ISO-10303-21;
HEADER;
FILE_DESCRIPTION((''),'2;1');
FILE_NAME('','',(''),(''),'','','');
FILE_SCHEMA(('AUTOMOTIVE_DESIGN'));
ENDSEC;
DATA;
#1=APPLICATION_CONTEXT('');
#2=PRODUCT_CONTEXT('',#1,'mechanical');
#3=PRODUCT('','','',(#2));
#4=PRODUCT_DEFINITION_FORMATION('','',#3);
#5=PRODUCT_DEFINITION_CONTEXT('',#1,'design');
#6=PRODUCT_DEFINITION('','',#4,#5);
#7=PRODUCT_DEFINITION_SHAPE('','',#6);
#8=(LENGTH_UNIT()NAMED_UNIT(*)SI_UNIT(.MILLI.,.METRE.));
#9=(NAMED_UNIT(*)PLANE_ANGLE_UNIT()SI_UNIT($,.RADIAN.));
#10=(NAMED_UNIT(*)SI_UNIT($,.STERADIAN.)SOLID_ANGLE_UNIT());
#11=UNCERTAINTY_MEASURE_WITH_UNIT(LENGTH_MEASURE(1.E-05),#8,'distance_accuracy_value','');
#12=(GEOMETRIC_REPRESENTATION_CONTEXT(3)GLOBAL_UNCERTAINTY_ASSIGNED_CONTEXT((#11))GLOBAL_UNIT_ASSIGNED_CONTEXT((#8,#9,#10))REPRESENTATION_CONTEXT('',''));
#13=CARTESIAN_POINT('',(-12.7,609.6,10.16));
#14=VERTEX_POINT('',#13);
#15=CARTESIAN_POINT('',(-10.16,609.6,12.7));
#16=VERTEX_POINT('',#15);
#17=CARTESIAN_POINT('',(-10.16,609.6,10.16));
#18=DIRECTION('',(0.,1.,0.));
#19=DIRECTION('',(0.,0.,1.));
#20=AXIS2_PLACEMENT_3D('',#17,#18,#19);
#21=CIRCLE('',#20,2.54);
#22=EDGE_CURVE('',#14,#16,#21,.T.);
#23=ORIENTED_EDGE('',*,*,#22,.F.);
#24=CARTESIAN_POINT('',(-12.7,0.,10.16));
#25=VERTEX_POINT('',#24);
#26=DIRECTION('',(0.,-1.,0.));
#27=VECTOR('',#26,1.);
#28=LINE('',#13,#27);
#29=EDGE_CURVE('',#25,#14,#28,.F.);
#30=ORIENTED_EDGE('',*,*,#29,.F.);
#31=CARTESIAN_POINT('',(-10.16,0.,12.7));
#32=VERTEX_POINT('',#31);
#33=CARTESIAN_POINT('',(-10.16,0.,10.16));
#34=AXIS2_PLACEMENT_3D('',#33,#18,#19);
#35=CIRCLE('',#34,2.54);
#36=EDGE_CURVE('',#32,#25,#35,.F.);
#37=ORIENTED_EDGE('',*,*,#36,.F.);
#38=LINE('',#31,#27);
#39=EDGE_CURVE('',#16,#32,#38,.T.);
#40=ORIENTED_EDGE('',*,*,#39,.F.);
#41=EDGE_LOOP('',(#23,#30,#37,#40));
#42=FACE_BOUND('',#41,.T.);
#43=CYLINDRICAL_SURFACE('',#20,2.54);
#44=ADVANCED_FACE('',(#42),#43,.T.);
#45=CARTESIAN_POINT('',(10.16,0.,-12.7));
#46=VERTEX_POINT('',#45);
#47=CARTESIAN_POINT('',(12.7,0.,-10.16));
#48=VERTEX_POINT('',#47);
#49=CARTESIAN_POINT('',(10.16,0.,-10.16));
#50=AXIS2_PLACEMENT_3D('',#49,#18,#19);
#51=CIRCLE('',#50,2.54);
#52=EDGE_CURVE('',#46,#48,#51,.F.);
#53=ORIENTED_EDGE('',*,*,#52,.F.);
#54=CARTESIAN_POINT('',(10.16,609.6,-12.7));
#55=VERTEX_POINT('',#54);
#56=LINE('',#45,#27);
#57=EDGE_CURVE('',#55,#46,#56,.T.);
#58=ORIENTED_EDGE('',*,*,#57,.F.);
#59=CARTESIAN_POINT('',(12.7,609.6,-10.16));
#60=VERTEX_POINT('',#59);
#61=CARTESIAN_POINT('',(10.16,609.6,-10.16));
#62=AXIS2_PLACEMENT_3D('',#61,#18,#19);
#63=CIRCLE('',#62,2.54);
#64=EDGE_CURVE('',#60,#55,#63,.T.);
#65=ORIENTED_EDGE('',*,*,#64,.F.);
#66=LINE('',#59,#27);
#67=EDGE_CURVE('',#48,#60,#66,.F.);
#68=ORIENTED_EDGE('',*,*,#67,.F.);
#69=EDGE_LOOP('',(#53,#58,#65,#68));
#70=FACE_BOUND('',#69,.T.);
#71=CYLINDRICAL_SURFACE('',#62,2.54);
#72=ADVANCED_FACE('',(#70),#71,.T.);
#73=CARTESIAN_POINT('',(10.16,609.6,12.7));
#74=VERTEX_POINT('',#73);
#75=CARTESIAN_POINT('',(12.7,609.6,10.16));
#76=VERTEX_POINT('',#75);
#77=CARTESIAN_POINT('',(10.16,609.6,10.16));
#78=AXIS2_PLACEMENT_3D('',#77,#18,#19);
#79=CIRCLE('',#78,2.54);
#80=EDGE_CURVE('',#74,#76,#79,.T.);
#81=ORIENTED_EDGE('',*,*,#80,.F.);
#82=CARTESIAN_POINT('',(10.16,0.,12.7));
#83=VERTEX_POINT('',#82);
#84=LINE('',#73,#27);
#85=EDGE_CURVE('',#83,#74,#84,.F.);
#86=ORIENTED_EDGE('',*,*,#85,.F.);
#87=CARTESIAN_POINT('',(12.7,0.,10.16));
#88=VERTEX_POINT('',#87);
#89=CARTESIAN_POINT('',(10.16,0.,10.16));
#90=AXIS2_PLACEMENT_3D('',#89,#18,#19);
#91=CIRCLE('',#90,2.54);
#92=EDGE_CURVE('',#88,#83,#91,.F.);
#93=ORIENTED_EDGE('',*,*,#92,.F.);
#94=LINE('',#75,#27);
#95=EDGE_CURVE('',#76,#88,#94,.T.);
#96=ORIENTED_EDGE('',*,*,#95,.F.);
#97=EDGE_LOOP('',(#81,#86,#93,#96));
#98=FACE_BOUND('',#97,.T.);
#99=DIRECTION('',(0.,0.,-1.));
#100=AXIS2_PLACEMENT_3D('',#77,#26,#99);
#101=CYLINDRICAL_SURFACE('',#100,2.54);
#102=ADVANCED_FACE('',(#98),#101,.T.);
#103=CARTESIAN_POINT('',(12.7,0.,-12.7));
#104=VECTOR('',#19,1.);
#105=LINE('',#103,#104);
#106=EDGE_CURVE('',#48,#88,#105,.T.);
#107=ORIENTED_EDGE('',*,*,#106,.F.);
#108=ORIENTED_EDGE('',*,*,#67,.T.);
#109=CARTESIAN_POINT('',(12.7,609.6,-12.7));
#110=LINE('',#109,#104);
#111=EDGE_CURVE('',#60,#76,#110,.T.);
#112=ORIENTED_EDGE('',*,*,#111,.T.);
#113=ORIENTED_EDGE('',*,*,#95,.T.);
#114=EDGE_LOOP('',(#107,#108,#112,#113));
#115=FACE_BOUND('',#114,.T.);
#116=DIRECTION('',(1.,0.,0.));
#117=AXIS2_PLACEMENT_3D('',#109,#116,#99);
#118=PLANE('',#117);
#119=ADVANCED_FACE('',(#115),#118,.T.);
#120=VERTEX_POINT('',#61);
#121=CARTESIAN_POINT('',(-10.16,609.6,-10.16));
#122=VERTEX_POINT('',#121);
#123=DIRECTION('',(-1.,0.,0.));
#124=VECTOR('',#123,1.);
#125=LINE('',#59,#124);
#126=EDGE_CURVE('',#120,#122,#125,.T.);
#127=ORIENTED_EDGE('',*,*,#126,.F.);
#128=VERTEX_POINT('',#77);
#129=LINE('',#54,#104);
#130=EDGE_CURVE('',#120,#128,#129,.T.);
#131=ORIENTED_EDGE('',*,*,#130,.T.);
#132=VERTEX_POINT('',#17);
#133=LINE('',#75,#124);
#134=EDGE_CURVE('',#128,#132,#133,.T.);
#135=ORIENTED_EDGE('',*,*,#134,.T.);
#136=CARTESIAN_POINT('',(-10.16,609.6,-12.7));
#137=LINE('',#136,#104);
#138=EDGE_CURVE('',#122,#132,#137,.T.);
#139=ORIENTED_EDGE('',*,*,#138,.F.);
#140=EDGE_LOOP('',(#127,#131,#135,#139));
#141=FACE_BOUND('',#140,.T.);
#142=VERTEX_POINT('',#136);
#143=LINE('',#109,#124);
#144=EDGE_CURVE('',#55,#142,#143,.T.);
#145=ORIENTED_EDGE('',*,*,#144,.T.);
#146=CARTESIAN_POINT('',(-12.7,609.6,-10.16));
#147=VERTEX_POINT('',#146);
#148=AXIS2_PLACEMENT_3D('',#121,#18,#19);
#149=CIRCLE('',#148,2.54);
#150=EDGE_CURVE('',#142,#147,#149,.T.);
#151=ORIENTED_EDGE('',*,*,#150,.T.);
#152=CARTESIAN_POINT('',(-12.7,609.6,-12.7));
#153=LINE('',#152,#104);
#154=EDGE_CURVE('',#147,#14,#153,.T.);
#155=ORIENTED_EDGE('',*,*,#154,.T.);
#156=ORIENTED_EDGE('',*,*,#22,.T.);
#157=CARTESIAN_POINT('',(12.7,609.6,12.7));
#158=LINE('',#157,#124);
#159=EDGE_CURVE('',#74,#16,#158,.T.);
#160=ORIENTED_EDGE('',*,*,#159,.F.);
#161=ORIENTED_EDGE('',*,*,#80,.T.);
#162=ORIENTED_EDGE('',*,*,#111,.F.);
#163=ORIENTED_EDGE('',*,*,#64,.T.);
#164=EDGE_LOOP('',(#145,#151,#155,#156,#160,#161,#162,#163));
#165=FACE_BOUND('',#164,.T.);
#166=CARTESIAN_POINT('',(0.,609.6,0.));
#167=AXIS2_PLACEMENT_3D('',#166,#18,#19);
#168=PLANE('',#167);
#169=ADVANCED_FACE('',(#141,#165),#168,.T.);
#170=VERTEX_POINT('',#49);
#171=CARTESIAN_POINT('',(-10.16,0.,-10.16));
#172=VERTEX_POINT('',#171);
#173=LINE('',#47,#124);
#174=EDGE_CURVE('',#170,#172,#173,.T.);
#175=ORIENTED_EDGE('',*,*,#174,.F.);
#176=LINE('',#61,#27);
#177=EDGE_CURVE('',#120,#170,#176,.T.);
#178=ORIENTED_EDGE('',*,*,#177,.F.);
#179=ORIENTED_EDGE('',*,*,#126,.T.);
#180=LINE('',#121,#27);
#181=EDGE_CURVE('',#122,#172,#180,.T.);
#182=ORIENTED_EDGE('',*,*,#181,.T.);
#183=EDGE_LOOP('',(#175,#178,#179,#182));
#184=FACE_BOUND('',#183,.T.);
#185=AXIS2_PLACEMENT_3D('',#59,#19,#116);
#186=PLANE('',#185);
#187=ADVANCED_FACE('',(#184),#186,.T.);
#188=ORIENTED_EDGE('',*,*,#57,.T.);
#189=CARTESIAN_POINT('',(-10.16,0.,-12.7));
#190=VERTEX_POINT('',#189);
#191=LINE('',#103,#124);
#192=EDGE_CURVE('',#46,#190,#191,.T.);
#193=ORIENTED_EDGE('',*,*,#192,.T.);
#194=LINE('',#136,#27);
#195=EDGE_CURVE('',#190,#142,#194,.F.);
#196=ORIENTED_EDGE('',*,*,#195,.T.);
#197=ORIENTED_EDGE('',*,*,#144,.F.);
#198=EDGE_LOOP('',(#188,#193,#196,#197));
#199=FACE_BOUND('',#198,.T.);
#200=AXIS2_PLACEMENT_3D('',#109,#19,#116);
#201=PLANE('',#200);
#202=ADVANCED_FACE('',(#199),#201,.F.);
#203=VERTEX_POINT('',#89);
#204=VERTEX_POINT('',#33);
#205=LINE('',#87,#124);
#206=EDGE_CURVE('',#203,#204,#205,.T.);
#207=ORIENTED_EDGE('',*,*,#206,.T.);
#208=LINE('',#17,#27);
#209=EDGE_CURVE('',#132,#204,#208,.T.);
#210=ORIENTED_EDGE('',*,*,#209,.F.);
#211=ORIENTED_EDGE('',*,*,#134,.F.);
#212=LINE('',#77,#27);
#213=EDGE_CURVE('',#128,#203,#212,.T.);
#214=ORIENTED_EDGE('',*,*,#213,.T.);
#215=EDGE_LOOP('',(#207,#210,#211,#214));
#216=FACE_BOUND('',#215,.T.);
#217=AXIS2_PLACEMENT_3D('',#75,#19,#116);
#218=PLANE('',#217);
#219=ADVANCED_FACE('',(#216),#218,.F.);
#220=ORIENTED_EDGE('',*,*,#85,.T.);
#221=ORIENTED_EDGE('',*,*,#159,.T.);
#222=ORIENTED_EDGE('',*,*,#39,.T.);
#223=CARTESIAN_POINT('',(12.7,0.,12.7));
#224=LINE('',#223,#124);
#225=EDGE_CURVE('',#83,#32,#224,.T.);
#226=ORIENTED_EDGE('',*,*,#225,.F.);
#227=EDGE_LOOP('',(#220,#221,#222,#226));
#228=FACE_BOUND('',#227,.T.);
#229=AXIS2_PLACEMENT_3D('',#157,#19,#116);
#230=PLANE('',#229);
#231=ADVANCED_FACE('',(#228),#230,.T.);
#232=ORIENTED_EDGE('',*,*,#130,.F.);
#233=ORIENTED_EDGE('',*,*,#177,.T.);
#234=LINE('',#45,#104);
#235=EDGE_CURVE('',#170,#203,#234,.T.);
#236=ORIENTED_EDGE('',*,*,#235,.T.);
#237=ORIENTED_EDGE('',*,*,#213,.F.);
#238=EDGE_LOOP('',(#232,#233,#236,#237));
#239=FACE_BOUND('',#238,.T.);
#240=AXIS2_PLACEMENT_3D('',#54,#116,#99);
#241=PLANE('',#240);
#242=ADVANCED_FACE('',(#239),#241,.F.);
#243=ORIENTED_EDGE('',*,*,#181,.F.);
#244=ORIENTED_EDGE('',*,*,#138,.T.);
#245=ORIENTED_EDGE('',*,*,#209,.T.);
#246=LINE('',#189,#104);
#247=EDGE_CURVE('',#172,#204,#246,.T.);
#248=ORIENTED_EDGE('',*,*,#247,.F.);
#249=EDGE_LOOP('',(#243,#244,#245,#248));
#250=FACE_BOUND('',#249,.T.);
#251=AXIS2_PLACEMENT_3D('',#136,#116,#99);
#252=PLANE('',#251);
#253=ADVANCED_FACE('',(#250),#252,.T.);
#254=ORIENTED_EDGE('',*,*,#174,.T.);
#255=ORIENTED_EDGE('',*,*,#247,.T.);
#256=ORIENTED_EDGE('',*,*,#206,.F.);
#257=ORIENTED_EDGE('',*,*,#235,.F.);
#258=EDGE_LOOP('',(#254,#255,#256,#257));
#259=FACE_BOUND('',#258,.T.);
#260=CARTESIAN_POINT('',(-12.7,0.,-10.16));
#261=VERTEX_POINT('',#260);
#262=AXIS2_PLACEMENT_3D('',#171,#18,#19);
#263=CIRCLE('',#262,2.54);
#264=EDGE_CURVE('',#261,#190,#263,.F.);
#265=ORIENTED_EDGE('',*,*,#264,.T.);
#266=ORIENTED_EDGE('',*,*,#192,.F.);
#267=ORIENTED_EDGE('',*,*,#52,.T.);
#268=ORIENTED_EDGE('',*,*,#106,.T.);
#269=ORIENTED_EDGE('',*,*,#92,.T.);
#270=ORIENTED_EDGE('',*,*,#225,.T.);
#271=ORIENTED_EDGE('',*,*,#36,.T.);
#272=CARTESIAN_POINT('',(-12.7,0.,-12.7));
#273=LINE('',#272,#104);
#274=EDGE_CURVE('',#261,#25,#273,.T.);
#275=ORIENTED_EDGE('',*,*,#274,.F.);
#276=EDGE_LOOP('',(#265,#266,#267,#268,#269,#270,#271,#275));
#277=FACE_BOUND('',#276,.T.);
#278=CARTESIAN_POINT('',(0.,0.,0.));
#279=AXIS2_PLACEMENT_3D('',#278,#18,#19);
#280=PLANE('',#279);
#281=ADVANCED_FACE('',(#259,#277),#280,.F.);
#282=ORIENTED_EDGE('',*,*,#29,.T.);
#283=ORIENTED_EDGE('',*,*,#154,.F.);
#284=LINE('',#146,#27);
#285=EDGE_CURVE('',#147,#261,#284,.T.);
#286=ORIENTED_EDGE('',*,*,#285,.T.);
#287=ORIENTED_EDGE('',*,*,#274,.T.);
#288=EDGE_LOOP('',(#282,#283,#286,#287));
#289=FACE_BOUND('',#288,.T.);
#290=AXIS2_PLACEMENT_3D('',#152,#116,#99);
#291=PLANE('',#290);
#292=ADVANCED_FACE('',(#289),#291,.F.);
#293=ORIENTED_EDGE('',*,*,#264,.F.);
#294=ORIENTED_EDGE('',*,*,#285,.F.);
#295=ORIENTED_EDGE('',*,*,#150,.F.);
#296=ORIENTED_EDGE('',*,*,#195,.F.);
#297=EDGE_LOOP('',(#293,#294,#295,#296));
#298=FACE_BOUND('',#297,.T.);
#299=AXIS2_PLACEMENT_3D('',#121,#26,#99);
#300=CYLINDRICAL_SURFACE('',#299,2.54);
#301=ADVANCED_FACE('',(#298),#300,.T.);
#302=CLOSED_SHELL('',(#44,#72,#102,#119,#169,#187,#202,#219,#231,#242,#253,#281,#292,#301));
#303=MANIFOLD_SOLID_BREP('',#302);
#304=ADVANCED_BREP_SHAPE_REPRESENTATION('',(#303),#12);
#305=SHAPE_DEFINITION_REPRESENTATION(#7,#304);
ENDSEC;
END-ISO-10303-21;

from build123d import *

# Parameters (mm, degrees)
SKETCH4_W           = 25.4
SKETCH4_H           = 25.4
BOSS_EXTRUDE6_DEPTH = 609.6
SHELL1_T            = -2.54
FILLET1_R           = 2.54


with BuildPart() as part:
    # Sketch4 → Boss-Extrude6 (new body)
    with BuildSketch(Plane(origin=(0, 0, 0), x_dir=(1, 0, 0), z_dir=(0, 1, 0))):
        Rectangle(SKETCH4_W, SKETCH4_H)
    extrude(amount=BOSS_EXTRUDE6_DEPTH)

    # Shell1
    shell1_openings = [part.faces().sort_by_distance(p)[0] for p in [
        (0, 609.6, 0),
        (0, 0, 0),
    ]]
    offset(amount=SHELL1_T, openings=shell1_openings, kind=Kind.INTERSECTION)

    # Fillet1
    fillet1_edges = [part.edges().sort_by_distance(p)[0] for p in [
        (12.7, 304.8, -12.7),
        (12.7, 304.8, 12.7),
        (-12.7, 304.8, 12.7),
        (-12.7, 304.8, -12.7),
    ]]
    fillet(fillet1_edges, radius=FILLET1_R)


solid = part.part
